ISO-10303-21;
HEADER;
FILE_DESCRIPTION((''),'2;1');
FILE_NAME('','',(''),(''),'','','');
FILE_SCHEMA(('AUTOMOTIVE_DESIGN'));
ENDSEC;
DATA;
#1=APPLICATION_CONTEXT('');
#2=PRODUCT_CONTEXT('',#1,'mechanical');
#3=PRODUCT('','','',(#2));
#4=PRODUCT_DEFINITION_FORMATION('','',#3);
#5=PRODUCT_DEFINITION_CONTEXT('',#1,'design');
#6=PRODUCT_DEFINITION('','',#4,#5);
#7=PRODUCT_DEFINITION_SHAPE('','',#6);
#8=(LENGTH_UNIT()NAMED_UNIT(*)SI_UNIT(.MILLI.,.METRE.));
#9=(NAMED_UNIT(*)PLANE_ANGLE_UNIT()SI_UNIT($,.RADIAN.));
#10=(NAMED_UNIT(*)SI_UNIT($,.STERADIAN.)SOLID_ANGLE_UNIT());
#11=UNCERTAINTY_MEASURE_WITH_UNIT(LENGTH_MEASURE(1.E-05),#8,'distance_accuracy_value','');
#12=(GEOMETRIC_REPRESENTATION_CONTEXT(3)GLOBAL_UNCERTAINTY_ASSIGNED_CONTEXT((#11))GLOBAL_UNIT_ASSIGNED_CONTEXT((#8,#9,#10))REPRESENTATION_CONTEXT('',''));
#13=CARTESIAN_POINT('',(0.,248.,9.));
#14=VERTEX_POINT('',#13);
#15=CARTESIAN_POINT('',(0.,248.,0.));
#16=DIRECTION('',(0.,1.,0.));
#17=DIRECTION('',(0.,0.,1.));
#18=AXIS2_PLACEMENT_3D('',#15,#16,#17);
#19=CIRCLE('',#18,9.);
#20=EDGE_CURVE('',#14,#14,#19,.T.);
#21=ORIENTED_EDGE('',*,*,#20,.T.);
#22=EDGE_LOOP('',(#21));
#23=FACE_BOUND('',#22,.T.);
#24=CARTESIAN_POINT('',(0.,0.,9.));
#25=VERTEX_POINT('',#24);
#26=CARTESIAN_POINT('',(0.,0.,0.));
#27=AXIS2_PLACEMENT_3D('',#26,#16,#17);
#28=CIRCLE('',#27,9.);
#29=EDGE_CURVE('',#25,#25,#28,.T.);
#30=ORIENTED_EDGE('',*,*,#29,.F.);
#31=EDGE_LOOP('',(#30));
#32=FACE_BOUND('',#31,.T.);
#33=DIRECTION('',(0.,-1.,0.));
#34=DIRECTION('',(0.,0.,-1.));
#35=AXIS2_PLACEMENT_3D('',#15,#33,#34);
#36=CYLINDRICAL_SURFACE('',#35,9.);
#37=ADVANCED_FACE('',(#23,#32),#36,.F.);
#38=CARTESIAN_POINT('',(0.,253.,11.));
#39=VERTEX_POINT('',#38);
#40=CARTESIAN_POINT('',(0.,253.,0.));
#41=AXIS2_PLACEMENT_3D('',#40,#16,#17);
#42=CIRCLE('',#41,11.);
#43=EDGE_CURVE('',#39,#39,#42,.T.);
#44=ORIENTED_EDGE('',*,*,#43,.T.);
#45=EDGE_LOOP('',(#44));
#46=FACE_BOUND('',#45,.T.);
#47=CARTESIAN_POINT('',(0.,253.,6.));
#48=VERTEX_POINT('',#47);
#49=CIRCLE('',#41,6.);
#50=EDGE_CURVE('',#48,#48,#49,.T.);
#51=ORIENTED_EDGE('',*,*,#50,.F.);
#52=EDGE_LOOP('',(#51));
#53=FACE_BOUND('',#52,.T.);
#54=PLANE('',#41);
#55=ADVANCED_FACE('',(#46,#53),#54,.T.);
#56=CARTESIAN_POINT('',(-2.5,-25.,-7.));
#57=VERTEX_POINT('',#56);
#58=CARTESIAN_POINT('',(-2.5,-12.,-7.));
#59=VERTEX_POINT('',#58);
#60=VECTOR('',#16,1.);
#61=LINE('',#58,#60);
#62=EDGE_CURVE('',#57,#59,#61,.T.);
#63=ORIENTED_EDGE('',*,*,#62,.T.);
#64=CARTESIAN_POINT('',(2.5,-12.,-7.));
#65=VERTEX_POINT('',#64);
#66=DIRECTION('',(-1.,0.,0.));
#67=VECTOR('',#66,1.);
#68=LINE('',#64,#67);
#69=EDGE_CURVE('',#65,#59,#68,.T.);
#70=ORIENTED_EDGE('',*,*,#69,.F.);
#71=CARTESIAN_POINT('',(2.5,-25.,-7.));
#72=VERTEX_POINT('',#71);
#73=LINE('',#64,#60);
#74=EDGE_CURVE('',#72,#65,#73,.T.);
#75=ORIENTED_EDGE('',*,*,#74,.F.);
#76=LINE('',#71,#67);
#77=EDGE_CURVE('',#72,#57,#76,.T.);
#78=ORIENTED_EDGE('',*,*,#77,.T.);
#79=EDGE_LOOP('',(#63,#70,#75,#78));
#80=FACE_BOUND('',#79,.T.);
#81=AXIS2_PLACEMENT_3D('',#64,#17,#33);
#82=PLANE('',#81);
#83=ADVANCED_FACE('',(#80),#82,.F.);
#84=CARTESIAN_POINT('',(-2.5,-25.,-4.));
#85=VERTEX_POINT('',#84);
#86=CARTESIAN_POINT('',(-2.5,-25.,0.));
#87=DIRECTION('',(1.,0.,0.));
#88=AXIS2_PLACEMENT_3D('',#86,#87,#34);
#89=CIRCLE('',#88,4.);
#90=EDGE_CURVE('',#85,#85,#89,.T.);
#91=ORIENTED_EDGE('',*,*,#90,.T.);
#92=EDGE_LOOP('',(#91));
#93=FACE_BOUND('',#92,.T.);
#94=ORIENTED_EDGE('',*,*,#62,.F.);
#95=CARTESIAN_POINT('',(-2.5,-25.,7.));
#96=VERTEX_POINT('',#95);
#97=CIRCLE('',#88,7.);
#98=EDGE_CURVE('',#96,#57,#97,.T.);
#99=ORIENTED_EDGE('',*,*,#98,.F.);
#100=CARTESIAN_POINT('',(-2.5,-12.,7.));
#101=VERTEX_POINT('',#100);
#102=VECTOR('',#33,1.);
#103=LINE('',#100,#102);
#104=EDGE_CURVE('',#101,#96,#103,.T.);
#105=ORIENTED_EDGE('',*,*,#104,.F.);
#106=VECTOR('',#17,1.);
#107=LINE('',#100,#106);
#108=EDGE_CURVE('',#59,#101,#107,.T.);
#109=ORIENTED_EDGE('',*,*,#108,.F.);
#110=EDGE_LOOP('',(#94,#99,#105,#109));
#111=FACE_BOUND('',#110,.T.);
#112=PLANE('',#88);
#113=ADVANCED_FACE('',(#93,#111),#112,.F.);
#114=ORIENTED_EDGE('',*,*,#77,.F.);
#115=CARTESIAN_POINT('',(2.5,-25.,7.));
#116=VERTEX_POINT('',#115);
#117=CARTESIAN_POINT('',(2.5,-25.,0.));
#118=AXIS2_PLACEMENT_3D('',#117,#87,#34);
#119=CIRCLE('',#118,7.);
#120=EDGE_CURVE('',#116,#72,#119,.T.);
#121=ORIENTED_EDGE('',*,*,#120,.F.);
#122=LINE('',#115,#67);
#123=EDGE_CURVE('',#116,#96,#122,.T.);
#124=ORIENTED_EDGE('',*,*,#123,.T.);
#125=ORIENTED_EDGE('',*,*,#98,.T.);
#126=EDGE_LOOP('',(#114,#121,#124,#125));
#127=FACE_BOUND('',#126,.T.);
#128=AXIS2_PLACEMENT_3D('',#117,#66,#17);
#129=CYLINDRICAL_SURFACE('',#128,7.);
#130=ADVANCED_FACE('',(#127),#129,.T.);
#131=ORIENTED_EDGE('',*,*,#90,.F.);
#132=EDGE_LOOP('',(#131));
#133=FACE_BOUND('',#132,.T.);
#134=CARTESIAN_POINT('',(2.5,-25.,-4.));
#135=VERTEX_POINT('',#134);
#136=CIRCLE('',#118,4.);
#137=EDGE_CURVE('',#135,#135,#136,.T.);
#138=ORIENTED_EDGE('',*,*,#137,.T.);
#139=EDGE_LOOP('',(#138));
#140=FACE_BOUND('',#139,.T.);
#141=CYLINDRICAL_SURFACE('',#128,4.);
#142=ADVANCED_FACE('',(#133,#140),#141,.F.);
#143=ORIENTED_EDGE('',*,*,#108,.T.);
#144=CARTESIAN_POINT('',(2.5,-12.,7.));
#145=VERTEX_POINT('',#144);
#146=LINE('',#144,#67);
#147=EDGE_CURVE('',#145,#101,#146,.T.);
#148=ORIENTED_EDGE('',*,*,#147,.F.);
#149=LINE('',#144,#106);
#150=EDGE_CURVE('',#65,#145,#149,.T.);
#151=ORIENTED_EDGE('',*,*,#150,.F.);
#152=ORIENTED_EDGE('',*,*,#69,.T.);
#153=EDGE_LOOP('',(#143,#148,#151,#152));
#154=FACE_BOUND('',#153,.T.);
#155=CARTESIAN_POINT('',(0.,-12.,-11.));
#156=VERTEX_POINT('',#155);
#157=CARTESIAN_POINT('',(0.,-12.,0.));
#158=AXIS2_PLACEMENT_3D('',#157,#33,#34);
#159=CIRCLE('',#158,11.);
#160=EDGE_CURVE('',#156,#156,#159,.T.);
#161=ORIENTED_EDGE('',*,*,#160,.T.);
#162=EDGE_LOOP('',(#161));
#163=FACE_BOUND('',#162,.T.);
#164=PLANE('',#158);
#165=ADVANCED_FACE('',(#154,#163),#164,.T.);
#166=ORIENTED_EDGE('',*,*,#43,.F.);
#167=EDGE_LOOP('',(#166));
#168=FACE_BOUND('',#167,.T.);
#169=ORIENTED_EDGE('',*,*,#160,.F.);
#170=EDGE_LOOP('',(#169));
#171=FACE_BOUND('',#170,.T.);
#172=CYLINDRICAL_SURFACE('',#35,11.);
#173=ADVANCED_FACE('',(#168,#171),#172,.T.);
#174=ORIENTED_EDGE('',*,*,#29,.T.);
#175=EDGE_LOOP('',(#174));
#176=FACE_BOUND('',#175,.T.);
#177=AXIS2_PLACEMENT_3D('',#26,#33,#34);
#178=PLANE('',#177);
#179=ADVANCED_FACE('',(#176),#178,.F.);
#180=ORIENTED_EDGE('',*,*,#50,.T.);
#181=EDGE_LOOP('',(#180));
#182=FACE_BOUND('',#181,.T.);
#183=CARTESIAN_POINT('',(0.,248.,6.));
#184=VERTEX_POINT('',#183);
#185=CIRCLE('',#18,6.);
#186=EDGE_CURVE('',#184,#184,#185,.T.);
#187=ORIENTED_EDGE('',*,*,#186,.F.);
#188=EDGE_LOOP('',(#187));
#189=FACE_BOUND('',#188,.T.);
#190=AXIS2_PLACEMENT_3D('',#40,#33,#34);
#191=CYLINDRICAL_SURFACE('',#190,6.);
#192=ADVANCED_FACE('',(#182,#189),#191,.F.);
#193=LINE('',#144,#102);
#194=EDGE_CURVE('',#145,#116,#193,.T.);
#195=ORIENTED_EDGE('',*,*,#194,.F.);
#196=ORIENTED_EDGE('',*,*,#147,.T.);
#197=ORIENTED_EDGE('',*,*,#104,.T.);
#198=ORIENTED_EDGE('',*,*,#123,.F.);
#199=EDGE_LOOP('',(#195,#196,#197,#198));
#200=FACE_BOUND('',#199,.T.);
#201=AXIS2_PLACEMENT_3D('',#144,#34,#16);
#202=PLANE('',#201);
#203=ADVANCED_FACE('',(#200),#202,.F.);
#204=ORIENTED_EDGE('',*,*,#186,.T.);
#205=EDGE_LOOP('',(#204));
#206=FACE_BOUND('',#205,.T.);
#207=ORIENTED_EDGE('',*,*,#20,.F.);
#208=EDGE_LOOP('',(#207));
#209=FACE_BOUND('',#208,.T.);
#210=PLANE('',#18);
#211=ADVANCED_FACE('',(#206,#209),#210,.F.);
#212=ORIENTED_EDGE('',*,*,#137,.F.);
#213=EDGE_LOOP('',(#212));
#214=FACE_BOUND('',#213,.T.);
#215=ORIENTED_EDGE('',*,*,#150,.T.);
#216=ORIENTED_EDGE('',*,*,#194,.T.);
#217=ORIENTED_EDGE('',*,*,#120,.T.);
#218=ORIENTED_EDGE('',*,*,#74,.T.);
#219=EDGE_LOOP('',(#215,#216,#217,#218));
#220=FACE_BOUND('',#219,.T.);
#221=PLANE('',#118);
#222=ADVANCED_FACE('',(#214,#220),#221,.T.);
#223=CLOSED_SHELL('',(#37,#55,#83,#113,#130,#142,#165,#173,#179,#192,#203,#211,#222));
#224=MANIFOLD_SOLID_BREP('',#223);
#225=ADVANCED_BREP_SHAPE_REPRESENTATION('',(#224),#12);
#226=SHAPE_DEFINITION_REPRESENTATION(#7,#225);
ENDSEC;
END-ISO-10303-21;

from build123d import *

# Parameters (mm, degrees)
SKETCH_1_R      = 11
SKETCH_1_R_2    = 9
EXTRUDE_1_DEPTH = 248
EXTRUDE_START   = 12
SKETCH_2_R      = 11
EXTRUDE_2_DEPTH = 12
SKETCH_4_R      = 4
EXTRUDE_4_DEPTH = 2.5
SKETCH_5_R      = 11
SKETCH_5_R_2    = 6
EXTRUDE_5_DEPTH = 5


with BuildPart() as part:
    # 草圖1 → 填料-伸長1 (new body)
    with BuildSketch(Plane(origin=(0, 0, 0), x_dir=(1, 0, 0), z_dir=(0, 1, 0))):
        with Locations(Location((0, 0, 0), (0, 0, 270))):
            Circle(SKETCH_1_R)
        with Locations(Location((0, 0, 0), (0, 0, 270))):
            Circle(SKETCH_1_R_2, mode=Mode.SUBTRACT)
    extrude(amount=EXTRUDE_1_DEPTH)

    # 草圖2 → 填料-伸長2 (add)
    with BuildSketch(Plane.XZ.offset(EXTRUDE_START)):
        with Locations(Location((0, 0, 0), (0, 0, 270))):
            Circle(SKETCH_2_R)
    extrude(amount=-EXTRUDE_2_DEPTH)

    # 草圖4 → 填料-伸長4 (add, symmetric)
    with BuildSketch(Plane(origin=(0, 0, 0), x_dir=(0, 0, -1), z_dir=(1, 0, 0))):
        with BuildLine():
            Line((-7, -12), (-7, -25))
            ThreePointArc((-7, -25), (0, -32), (7, -25))
            Line((7, -25), (7, -12))
            Line((7, -12), (-7, -12))
        make_face()
        with Locations((0, -25)):
            Circle(SKETCH_4_R, mode=Mode.SUBTRACT)
    extrude(amount=EXTRUDE_4_DEPTH, both=True)

    # 草圖5 → 填料-伸長5 (add)
    with BuildSketch(Plane(origin=(0, 248, 0), x_dir=(1, 0, 0), z_dir=(0, 1, 0))):
        with Locations(Location((0, 0, 0), (0, 0, 90))):
            Circle(SKETCH_5_R)
        with Locations(Location((0, 0, 0), (0, 0, 270))):
            Circle(SKETCH_5_R_2, mode=Mode.SUBTRACT)
    extrude(amount=EXTRUDE_5_DEPTH)


solid = part.part
